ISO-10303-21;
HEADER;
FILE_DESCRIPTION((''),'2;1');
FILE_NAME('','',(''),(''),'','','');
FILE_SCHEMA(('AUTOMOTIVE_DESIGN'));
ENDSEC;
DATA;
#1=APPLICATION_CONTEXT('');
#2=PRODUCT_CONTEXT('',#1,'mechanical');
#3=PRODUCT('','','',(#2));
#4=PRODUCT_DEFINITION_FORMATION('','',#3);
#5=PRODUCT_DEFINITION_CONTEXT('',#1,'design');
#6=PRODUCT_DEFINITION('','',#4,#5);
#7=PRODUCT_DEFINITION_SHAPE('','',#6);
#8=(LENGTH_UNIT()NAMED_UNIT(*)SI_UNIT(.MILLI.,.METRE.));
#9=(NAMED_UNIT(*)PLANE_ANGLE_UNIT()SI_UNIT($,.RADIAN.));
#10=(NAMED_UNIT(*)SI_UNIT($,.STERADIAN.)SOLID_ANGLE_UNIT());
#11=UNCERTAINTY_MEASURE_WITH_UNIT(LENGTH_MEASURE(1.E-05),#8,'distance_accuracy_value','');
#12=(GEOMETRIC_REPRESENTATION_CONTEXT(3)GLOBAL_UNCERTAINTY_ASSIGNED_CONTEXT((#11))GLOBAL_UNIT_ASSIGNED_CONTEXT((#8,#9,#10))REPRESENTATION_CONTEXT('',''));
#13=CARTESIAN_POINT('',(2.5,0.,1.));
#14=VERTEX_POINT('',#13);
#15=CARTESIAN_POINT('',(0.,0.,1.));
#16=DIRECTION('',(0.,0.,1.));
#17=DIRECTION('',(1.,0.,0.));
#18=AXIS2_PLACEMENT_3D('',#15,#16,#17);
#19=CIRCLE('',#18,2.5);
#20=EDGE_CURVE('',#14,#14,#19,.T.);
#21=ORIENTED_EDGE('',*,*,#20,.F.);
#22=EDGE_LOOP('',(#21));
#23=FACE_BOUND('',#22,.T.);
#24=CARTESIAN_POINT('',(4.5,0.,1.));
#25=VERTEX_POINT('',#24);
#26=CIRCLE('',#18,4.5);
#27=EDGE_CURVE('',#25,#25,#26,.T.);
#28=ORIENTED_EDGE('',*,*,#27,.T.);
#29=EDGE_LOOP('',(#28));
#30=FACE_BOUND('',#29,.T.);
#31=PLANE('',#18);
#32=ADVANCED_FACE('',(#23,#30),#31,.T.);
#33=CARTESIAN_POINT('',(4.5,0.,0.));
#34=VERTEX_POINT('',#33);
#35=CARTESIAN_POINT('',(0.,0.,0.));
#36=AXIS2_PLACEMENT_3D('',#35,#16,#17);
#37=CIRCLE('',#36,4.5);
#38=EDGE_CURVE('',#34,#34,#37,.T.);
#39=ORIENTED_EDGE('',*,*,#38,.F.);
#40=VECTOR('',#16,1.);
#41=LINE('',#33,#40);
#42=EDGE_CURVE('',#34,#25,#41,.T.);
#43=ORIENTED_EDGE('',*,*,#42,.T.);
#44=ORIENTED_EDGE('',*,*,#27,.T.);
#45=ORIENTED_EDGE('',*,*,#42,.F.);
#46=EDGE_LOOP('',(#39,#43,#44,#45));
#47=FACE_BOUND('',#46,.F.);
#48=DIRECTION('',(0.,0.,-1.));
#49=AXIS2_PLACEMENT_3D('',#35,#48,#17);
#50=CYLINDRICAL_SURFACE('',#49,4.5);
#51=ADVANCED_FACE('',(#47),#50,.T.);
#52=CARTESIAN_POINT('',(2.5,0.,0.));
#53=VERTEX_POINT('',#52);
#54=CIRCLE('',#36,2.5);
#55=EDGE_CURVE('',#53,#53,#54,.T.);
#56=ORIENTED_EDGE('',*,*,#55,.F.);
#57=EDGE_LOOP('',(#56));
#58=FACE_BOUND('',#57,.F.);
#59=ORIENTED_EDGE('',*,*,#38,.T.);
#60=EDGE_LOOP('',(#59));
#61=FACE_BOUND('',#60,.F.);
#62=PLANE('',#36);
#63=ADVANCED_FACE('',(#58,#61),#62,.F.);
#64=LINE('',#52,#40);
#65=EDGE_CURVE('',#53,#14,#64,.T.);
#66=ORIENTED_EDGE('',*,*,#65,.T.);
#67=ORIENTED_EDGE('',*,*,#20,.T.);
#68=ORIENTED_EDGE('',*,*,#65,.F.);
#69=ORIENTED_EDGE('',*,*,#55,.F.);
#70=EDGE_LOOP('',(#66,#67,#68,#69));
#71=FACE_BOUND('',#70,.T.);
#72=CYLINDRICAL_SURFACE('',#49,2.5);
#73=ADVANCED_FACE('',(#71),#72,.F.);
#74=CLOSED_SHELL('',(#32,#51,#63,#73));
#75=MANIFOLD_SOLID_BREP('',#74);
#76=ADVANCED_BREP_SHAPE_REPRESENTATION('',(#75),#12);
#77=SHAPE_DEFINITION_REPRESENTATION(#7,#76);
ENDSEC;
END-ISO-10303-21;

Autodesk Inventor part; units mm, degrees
ref_plane "YZ Plane" through (0, 0, 0) normal (1, 0, 0) x (0, 1, 0)
ref_plane "XZ Plane" through (0, 0, 0) normal (0, 1, 0) x (-1, 0, 0)
ref_plane "XY Plane" through (0, 0, 0) normal (0, 0, 1) x (1, 0, 0)
sketch "スケッチ1" plane through (0, 0, 0) normal (0, 0, 1) x (1, 0, 0)
  circle A0 centre (0, 0) radius 2.5
  circle A1 centre (0, 0) radius 4.5
  dimension "d0" = 5
  dimension "d1" = 9
extrude "押し出し1" add sketch "スケッチ1" along normal blind 1
properties part number "TT-0509-10" material "열가소성 수지"
